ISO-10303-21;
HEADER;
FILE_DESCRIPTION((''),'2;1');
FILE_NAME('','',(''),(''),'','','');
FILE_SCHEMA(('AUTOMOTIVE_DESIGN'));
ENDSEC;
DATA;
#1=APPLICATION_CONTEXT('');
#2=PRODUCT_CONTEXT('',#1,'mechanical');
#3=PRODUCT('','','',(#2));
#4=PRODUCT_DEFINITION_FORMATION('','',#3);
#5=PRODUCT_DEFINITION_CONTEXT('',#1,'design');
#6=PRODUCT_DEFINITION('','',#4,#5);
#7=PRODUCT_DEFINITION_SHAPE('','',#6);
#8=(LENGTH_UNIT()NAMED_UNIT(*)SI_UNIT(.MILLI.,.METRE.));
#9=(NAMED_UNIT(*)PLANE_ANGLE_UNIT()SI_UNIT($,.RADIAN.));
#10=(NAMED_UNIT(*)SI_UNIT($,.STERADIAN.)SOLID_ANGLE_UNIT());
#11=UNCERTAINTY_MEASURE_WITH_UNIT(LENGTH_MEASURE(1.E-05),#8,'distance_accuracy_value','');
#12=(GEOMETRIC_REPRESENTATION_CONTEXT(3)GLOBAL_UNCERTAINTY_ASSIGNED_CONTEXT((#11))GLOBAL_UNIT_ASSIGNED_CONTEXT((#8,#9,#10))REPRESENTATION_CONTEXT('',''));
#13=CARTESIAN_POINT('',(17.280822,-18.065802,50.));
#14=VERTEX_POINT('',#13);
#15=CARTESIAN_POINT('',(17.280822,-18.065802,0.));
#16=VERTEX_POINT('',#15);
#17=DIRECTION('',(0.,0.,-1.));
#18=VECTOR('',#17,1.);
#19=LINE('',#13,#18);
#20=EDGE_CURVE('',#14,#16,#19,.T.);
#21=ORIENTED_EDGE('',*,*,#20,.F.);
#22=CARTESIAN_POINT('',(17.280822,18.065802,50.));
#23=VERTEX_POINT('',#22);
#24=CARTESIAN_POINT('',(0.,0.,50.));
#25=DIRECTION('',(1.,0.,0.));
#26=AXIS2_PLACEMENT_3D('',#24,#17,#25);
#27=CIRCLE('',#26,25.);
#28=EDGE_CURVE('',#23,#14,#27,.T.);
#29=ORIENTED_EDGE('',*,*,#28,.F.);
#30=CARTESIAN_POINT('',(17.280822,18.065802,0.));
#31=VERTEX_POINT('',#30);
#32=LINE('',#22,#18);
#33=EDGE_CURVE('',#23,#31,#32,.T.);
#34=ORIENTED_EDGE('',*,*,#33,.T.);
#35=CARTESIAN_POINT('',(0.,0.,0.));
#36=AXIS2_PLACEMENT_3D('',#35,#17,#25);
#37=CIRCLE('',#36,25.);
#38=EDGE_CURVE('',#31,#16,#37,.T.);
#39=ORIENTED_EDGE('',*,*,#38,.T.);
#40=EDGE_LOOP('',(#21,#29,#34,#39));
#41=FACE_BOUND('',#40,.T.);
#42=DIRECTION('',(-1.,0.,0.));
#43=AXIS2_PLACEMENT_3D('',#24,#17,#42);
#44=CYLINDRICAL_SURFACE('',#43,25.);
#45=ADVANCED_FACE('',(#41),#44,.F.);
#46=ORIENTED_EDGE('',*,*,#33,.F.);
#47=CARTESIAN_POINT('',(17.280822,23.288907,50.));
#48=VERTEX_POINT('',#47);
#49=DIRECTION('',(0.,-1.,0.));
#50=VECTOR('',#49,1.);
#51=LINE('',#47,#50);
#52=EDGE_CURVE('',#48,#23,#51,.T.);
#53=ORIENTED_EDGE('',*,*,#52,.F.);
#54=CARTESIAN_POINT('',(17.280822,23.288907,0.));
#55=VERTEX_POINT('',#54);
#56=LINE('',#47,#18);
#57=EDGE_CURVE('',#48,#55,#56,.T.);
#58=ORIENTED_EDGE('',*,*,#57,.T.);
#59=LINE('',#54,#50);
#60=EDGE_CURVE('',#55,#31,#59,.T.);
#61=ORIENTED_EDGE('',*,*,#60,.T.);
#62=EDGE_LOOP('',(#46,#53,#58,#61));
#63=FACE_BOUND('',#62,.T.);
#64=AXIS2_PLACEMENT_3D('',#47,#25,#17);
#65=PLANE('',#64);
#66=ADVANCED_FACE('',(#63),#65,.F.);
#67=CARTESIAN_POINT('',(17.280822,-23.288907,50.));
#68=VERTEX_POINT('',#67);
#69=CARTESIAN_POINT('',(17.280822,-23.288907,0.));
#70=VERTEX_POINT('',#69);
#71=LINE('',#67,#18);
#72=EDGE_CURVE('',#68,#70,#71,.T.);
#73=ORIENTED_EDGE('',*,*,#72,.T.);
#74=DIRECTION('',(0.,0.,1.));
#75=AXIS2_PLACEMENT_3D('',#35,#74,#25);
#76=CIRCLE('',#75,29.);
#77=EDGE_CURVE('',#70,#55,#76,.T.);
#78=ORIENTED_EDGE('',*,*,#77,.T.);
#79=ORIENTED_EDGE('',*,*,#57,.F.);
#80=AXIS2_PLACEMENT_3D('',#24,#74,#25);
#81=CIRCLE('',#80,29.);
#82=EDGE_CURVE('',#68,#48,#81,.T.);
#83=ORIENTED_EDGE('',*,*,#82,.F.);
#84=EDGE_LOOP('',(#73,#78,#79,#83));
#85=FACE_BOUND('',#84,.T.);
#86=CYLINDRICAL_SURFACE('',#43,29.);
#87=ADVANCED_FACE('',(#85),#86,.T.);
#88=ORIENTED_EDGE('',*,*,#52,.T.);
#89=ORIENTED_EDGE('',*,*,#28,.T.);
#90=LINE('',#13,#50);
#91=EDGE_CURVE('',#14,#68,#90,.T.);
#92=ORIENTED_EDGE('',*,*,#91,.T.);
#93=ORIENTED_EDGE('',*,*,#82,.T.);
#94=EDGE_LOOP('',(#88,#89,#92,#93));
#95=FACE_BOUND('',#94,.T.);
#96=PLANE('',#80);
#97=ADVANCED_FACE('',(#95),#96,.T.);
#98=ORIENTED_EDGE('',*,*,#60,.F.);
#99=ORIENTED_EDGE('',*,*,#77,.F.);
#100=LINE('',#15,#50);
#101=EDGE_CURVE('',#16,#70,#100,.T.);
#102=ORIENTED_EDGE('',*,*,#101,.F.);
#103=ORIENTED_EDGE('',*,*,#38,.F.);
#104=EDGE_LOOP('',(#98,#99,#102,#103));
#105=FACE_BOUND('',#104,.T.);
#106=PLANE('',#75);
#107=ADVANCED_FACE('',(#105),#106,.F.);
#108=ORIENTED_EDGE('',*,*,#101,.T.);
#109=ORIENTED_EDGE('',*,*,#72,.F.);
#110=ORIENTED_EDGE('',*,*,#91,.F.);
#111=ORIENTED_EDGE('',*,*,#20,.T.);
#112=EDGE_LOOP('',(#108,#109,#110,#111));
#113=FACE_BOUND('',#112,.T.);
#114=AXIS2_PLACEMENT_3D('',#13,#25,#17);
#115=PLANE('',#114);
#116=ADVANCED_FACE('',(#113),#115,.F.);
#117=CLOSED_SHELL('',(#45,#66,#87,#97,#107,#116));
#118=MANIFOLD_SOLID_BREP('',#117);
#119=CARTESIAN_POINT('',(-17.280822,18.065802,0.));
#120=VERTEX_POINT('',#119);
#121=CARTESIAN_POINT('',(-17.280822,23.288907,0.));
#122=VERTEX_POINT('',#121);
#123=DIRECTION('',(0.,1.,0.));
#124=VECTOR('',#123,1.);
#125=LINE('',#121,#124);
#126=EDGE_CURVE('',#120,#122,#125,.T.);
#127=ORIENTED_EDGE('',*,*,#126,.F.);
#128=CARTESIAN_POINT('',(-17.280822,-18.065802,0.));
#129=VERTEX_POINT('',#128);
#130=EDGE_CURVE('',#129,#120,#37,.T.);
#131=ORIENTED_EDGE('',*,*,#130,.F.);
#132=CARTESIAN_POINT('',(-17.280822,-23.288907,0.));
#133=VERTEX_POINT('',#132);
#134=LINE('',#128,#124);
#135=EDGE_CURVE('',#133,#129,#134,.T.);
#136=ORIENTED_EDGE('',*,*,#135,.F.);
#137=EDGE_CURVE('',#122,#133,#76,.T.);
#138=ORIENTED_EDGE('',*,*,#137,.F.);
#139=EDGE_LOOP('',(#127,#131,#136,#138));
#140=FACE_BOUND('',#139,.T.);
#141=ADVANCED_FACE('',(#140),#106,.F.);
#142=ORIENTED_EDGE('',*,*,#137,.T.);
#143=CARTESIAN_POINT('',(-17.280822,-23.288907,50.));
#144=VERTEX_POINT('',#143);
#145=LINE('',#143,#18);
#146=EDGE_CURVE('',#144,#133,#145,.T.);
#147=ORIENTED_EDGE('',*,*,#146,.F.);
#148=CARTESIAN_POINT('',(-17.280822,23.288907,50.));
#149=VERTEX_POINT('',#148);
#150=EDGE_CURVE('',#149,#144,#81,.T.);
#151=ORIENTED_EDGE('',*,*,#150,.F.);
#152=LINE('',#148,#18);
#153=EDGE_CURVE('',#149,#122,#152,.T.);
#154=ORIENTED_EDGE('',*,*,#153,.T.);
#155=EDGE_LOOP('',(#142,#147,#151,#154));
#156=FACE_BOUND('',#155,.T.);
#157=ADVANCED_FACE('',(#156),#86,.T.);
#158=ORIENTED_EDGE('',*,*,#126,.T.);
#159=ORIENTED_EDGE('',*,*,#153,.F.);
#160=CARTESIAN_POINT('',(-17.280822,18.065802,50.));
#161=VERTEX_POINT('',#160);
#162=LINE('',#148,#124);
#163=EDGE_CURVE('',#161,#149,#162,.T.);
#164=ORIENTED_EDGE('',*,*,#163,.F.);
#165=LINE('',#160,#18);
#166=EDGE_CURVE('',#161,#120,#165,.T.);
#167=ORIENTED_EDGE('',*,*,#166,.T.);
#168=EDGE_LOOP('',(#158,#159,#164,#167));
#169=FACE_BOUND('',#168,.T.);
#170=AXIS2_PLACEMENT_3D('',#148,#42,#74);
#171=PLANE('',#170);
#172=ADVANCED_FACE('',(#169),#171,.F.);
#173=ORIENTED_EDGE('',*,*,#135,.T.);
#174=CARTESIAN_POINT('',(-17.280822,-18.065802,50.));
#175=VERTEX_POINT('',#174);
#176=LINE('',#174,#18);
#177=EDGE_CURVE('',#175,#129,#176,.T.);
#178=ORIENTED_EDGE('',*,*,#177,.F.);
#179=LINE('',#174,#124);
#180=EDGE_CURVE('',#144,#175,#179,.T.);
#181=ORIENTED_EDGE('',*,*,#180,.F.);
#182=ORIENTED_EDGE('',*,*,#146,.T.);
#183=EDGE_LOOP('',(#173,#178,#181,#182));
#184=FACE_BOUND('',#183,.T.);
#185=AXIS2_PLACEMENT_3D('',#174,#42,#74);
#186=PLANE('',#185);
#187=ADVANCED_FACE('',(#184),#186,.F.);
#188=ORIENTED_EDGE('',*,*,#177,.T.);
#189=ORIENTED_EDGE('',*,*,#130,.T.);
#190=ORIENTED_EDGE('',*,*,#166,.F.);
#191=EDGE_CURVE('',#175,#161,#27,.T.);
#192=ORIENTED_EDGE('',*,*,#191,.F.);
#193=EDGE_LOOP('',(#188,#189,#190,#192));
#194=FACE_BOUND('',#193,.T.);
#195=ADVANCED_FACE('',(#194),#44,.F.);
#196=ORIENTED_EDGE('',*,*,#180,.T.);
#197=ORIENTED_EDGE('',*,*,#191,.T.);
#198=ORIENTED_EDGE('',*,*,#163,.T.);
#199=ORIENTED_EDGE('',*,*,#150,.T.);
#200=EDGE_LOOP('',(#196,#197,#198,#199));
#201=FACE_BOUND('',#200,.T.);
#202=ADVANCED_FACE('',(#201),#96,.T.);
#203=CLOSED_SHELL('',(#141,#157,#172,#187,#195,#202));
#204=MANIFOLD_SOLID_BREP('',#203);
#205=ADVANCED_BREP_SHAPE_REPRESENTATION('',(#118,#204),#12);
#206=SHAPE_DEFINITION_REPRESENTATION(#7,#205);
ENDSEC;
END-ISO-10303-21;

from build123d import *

# Parameters (mm, degrees)
BOSS_EXTRUDE1_DEPTH   = 50
BOSS_EXTRUDE1_2_DEPTH = 50


with BuildPart() as part:
    # Sketch1 → Boss-Extrude1 (new body)
    with BuildSketch(Plane.XY):
        with BuildLine():
            Line((-17.280821918, -18.065801777), (-17.280821918, -23.288907099))
            ThreePointArc((-17.280821918, -23.288907099), (-29, 0), (-17.280821918, 23.288907099))
            Line((-17.280821918, 23.288907099), (-17.280821918, 18.065801777))
            ThreePointArc((-17.280821918, 18.065801777), (-25, 0), (-17.280821918, -18.065801777))
        make_face()
    extrude(amount=BOSS_EXTRUDE1_DEPTH)


with BuildPart() as body_2:
    # Sketch1 → Boss-Extrude1 2 (new body)
    with BuildSketch(Plane.XY):
        with BuildLine():
            Line((17.280821918, 23.288907099), (17.280821918, 18.065801777))
            ThreePointArc((17.280821918, 18.065801777), (25, 0), (17.280821918, -18.065801777))
            Line((17.280821918, -18.065801777), (17.280821918, -23.288907099))
            ThreePointArc((17.280821918, -23.288907099), (29, 0), (17.280821918, 23.288907099))
        make_face()
    extrude(amount=BOSS_EXTRUDE1_2_DEPTH)


solid = Compound([part.part, body_2.part])
